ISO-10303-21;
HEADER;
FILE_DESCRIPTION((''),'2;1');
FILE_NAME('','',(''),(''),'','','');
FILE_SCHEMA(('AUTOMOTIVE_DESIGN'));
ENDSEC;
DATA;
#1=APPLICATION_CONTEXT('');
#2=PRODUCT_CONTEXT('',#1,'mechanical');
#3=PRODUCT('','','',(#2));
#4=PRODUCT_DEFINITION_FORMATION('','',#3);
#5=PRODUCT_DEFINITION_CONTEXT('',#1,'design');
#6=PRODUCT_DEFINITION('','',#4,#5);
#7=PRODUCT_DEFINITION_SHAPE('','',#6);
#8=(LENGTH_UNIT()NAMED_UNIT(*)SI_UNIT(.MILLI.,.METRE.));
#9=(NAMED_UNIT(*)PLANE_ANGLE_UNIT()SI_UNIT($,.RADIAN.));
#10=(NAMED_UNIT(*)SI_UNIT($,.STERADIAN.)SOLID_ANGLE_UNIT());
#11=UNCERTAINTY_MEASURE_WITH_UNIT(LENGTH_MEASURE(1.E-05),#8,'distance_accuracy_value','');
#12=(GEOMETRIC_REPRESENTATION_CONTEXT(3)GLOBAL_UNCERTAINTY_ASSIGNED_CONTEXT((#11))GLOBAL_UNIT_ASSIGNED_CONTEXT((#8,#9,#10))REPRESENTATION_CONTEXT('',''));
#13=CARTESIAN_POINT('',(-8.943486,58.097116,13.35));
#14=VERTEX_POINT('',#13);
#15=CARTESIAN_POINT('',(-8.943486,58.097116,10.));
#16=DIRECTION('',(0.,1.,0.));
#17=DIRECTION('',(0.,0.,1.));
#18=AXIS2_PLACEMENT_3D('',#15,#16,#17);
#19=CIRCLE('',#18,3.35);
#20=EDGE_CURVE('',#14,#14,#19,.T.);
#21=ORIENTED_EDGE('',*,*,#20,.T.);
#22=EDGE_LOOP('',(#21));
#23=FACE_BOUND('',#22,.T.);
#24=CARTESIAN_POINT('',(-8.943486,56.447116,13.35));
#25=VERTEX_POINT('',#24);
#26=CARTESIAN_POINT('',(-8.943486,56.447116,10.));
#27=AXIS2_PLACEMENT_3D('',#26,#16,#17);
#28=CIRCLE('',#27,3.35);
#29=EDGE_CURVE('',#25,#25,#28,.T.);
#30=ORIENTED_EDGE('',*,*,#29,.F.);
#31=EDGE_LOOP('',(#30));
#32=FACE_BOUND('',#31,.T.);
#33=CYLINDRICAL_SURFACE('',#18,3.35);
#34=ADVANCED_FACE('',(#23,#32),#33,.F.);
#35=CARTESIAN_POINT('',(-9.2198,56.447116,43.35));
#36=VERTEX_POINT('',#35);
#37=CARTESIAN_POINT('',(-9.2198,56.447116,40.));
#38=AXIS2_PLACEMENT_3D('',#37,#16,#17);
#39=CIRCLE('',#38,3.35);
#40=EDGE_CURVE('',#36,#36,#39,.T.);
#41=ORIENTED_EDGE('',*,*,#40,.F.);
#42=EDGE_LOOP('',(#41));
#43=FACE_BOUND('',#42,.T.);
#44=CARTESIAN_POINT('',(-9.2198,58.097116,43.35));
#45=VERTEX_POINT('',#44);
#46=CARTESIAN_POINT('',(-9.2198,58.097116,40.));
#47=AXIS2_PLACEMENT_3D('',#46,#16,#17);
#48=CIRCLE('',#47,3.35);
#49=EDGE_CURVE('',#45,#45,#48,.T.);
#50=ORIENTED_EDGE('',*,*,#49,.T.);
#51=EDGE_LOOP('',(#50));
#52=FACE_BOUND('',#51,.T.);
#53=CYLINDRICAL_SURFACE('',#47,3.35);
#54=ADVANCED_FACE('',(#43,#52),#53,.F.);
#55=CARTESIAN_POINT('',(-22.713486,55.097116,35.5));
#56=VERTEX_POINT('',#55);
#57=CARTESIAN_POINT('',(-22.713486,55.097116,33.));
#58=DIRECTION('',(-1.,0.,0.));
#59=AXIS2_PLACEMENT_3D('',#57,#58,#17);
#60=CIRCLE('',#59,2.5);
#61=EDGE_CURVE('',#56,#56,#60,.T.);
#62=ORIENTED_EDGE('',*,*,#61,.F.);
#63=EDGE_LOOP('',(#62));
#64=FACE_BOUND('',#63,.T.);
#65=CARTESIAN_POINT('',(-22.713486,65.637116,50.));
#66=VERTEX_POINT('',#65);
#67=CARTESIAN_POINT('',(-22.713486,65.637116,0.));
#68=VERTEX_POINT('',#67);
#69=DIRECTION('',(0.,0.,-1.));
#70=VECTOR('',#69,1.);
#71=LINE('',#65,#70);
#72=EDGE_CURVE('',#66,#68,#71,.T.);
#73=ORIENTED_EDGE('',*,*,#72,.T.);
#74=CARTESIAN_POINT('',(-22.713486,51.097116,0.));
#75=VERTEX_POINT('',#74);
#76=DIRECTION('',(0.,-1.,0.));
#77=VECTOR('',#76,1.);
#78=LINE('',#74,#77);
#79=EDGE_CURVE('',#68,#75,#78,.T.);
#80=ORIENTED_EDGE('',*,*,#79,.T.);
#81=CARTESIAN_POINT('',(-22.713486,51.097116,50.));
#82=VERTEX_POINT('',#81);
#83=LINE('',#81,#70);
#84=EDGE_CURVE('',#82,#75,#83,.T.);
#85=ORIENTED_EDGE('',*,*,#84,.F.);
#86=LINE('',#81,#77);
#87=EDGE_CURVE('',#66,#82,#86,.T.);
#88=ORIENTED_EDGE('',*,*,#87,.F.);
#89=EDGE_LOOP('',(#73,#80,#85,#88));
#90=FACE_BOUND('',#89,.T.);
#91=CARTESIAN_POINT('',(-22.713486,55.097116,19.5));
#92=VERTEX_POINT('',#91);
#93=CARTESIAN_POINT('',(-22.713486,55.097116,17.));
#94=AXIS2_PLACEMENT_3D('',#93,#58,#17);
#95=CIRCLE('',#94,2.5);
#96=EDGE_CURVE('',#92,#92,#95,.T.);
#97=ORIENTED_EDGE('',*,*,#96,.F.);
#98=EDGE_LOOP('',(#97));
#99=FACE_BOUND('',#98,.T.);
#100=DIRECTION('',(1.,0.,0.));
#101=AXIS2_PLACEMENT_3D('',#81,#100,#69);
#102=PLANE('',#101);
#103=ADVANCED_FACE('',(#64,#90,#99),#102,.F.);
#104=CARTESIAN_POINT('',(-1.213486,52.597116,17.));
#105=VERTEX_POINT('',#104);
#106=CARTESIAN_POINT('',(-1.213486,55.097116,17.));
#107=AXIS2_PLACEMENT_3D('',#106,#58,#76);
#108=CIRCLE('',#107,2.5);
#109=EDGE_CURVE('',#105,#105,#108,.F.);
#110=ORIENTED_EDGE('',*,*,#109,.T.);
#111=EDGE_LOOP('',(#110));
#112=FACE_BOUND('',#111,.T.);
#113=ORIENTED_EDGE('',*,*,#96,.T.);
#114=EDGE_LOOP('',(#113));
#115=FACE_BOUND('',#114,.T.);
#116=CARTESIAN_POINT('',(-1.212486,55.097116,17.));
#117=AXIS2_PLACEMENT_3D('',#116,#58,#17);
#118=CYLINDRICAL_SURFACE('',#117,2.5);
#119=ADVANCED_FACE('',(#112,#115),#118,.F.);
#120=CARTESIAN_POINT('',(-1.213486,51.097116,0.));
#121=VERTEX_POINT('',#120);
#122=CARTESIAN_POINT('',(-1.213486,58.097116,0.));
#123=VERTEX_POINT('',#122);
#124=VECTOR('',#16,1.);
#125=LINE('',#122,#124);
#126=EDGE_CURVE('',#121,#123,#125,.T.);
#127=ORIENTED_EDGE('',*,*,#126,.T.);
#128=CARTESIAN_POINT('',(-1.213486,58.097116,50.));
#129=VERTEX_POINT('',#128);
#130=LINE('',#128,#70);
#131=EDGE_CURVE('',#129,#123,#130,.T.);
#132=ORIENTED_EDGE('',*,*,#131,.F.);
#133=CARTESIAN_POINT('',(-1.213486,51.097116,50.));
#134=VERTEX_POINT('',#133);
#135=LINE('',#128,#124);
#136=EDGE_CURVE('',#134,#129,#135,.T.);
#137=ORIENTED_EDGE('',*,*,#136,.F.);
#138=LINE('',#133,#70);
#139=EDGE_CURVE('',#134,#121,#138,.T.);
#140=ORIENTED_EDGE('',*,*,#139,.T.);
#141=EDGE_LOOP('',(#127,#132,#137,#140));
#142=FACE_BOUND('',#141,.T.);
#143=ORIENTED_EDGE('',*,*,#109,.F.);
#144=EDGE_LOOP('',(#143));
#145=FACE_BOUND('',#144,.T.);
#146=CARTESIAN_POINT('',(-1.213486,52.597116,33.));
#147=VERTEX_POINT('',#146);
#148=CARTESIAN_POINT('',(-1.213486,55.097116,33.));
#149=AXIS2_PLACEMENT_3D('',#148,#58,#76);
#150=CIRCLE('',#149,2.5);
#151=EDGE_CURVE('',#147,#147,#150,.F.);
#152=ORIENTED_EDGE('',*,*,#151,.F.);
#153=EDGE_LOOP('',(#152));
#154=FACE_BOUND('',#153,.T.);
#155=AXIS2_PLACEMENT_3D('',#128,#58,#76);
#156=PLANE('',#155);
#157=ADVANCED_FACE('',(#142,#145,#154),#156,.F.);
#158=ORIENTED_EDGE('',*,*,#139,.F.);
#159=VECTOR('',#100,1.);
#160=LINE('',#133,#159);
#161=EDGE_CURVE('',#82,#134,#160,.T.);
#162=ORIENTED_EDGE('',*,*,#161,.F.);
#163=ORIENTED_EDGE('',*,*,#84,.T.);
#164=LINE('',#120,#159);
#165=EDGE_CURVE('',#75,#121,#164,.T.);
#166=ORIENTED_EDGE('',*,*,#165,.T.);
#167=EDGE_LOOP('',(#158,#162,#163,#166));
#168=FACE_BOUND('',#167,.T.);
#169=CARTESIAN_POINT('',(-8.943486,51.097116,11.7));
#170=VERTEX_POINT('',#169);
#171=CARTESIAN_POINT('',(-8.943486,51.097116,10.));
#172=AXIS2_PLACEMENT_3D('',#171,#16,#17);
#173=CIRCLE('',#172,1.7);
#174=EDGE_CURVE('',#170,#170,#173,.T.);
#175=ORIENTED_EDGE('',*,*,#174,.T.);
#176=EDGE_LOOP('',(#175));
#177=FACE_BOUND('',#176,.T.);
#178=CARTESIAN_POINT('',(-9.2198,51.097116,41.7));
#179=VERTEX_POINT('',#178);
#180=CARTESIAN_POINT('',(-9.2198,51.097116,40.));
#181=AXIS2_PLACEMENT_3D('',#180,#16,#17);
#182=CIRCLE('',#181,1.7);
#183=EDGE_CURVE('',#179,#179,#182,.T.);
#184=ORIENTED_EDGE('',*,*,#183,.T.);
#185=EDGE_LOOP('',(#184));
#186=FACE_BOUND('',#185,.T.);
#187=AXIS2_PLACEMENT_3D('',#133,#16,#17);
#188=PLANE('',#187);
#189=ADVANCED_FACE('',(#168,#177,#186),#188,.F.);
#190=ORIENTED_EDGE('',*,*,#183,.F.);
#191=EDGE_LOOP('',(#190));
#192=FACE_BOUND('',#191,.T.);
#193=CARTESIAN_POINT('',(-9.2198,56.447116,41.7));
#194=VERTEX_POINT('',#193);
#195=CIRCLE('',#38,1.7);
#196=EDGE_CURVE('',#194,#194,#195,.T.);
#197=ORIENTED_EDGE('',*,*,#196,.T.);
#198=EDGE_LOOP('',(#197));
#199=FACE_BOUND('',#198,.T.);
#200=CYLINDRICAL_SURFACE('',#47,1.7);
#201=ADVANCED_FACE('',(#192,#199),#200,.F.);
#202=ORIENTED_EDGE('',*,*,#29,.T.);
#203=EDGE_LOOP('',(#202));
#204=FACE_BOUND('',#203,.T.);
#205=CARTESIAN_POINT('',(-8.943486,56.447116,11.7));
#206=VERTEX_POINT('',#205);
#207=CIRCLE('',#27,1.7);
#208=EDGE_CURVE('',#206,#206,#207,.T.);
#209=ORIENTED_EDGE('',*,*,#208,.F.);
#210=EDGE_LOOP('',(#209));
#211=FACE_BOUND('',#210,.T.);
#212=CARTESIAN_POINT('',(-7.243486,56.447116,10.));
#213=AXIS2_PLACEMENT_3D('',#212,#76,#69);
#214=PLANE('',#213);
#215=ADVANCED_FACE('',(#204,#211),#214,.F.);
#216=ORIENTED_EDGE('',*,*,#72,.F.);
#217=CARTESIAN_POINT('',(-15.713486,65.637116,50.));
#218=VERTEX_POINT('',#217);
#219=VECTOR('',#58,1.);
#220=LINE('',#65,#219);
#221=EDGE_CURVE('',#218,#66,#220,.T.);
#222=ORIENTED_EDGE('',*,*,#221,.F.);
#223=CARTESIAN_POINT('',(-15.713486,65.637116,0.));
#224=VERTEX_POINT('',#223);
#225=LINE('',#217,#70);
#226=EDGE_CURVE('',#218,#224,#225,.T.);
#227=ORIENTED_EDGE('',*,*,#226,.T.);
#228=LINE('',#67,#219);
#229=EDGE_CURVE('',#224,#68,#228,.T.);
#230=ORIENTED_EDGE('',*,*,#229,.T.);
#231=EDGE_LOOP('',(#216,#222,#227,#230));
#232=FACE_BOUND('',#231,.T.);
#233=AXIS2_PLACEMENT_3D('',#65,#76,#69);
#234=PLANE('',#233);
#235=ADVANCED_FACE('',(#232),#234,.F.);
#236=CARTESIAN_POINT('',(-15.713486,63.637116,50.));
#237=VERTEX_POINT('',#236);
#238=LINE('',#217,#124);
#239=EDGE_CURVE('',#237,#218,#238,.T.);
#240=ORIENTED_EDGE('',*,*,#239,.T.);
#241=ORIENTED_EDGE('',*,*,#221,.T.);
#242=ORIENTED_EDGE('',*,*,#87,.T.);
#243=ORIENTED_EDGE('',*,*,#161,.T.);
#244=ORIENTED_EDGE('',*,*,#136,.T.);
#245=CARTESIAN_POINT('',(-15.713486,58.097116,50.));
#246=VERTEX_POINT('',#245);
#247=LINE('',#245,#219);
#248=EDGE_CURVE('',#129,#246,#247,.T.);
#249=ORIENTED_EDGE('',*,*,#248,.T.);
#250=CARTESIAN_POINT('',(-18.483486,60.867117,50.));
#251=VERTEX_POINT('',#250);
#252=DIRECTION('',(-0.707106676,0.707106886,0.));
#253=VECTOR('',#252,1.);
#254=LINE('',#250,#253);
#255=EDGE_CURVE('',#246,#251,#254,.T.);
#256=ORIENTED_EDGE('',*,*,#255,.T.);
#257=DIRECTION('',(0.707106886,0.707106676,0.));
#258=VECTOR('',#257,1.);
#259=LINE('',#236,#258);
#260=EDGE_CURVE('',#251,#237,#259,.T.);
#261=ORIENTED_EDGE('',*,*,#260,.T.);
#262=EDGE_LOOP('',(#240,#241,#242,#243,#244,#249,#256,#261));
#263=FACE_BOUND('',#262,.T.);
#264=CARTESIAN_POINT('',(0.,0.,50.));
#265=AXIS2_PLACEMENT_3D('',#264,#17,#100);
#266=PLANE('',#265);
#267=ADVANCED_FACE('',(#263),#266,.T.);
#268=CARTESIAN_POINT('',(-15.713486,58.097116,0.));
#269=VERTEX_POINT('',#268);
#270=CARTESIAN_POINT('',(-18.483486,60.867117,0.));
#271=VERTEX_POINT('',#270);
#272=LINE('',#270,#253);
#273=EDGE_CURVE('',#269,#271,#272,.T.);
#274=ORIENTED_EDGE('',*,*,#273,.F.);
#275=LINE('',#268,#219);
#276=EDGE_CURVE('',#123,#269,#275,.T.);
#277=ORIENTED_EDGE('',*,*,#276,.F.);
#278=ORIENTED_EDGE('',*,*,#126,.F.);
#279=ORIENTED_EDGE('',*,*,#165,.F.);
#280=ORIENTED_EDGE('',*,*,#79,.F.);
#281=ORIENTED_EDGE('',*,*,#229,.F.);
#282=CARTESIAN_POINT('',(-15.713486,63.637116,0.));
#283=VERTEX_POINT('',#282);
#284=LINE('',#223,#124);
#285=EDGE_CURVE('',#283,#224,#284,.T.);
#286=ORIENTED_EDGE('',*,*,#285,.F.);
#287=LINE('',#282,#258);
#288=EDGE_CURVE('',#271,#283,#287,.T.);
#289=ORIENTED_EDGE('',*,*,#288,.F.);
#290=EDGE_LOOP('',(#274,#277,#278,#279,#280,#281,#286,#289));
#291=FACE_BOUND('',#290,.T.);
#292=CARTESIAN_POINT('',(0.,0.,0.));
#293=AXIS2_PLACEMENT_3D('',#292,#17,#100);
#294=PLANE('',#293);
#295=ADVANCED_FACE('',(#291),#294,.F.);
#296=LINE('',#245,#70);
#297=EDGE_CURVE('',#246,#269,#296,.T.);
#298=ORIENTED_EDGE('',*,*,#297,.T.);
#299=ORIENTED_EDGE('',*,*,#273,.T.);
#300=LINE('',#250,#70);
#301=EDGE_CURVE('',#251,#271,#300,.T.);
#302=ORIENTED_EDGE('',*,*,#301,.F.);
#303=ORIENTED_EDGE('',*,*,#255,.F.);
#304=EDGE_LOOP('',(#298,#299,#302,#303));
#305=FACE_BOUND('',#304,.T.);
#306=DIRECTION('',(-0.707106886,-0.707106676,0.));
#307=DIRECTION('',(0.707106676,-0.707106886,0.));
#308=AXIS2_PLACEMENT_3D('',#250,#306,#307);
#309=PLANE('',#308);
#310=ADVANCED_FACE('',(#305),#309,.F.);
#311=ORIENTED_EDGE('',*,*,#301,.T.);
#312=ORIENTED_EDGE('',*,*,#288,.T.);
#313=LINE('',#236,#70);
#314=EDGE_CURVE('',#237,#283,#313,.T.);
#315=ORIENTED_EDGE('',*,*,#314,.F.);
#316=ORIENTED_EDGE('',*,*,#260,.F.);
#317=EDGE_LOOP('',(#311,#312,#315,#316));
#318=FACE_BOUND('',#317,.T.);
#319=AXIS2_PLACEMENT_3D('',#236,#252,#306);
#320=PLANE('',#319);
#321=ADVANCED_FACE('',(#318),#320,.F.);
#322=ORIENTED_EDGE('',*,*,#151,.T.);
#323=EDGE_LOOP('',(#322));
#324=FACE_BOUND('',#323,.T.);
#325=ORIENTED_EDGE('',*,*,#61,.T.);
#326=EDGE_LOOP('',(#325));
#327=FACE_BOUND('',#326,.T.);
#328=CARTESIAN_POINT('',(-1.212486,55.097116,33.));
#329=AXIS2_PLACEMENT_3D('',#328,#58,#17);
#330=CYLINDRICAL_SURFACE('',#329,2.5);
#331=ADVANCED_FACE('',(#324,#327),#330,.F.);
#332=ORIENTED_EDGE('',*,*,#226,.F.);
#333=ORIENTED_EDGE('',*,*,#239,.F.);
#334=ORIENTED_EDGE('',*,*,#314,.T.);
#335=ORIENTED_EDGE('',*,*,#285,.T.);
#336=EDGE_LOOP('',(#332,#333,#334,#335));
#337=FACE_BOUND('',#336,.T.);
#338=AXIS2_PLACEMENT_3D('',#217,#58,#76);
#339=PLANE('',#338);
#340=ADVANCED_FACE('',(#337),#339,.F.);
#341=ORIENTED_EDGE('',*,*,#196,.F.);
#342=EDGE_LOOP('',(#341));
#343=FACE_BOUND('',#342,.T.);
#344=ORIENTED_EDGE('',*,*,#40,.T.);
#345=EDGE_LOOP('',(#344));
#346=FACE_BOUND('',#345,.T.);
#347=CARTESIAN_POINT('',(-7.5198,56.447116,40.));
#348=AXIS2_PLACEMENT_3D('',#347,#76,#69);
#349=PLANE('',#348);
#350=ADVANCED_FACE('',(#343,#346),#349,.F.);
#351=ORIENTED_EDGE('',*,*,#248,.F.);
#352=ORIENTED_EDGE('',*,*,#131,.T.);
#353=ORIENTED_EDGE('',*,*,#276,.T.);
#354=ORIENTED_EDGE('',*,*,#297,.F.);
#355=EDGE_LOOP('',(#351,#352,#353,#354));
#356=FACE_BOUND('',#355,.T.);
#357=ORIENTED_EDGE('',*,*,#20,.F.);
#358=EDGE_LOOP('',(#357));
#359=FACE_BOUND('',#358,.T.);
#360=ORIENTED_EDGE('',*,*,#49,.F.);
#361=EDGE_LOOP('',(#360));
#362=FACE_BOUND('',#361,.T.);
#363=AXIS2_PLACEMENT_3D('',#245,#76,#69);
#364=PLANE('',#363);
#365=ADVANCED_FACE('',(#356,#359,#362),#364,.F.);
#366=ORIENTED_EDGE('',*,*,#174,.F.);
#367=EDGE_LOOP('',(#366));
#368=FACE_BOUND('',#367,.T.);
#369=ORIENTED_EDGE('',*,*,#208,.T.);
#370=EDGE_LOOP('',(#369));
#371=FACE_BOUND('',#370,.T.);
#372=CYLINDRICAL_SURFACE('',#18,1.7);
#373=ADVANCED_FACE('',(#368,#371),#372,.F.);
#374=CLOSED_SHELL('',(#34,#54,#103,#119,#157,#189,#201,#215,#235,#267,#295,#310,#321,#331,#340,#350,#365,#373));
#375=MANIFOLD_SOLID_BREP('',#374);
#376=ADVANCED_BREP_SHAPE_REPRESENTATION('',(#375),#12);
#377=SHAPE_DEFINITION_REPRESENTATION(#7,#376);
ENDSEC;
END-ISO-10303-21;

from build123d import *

# Parameters (mm, degrees)
BOSS_EXTRUDE1_DEPTH             = 50
CUT_EXTRUDE1_REACH              = 23.5
SKETCH3_R                       = 2.5
CBORE_FOR_M3_SBHCS1_D           = 3.4
CBORE_FOR_M3_SBHCS1_CBORE_D     = 6.7
CBORE_FOR_M3_SBHCS1_CBORE_DEPTH = 1.65


with BuildPart() as part:
    # Sketch2 → Boss-Extrude1 (new body)
    with BuildSketch(Plane.XY):
        Polygon((-15.713485752, 63.637116303), (-18.483485752, 60.867117128), (-15.713485752, 58.097116303), (-1.213485752, 58.097116303), (-1.213485752, 51.097116303), (-22.713485752, 51.097116303), (-22.713485752, 65.637116303), (-15.713485752, 65.637116303), align=None)
    extrude(amount=BOSS_EXTRUDE1_DEPTH)

    # Sketch3 → Cut-Extrude1 (cut, up to next)
    with BuildSketch(Plane.ZY.offset(22.713485752), mode=Mode.PRIVATE) as cut_extrude1_sk1:
        with Locations((17, 55.097116303)):
            Circle(SKETCH3_R)
    cut_extrude1_tool1 = extrude(cut_extrude1_sk1.sketch, amount=-CUT_EXTRUDE1_REACH, mode=Mode.PRIVATE) & part.part
    add(cut_extrude1_tool1.solids().sort_by_distance((-22.713486, 55.097116, 17))[0], mode=Mode.SUBTRACT)
    # Sketch3 → Cut-Extrude1 (cut, up to next)
    with BuildSketch(Plane.ZY.offset(22.713485752), mode=Mode.PRIVATE) as cut_extrude1_sk2:
        with Locations((33, 55.097116303)):
            Circle(SKETCH3_R)
    cut_extrude1_tool2 = extrude(cut_extrude1_sk2.sketch, amount=-CUT_EXTRUDE1_REACH, mode=Mode.PRIVATE) & part.part
    add(cut_extrude1_tool2.solids().sort_by_distance((-22.713486, 55.097116, 33))[0], mode=Mode.SUBTRACT)

    # CBORE for M3 SBHCS1 (through all)
    with Locations(Plane(origin=(0, 58.097116303, 0), x_dir=(1, 0, 0), z_dir=(0, 1, 0))):
        with Locations((-9.219799779, -40), (-8.943485752, -10)):
            CounterBoreHole(CBORE_FOR_M3_SBHCS1_D / 2, CBORE_FOR_M3_SBHCS1_CBORE_D / 2, CBORE_FOR_M3_SBHCS1_CBORE_DEPTH)


solid = part.part
